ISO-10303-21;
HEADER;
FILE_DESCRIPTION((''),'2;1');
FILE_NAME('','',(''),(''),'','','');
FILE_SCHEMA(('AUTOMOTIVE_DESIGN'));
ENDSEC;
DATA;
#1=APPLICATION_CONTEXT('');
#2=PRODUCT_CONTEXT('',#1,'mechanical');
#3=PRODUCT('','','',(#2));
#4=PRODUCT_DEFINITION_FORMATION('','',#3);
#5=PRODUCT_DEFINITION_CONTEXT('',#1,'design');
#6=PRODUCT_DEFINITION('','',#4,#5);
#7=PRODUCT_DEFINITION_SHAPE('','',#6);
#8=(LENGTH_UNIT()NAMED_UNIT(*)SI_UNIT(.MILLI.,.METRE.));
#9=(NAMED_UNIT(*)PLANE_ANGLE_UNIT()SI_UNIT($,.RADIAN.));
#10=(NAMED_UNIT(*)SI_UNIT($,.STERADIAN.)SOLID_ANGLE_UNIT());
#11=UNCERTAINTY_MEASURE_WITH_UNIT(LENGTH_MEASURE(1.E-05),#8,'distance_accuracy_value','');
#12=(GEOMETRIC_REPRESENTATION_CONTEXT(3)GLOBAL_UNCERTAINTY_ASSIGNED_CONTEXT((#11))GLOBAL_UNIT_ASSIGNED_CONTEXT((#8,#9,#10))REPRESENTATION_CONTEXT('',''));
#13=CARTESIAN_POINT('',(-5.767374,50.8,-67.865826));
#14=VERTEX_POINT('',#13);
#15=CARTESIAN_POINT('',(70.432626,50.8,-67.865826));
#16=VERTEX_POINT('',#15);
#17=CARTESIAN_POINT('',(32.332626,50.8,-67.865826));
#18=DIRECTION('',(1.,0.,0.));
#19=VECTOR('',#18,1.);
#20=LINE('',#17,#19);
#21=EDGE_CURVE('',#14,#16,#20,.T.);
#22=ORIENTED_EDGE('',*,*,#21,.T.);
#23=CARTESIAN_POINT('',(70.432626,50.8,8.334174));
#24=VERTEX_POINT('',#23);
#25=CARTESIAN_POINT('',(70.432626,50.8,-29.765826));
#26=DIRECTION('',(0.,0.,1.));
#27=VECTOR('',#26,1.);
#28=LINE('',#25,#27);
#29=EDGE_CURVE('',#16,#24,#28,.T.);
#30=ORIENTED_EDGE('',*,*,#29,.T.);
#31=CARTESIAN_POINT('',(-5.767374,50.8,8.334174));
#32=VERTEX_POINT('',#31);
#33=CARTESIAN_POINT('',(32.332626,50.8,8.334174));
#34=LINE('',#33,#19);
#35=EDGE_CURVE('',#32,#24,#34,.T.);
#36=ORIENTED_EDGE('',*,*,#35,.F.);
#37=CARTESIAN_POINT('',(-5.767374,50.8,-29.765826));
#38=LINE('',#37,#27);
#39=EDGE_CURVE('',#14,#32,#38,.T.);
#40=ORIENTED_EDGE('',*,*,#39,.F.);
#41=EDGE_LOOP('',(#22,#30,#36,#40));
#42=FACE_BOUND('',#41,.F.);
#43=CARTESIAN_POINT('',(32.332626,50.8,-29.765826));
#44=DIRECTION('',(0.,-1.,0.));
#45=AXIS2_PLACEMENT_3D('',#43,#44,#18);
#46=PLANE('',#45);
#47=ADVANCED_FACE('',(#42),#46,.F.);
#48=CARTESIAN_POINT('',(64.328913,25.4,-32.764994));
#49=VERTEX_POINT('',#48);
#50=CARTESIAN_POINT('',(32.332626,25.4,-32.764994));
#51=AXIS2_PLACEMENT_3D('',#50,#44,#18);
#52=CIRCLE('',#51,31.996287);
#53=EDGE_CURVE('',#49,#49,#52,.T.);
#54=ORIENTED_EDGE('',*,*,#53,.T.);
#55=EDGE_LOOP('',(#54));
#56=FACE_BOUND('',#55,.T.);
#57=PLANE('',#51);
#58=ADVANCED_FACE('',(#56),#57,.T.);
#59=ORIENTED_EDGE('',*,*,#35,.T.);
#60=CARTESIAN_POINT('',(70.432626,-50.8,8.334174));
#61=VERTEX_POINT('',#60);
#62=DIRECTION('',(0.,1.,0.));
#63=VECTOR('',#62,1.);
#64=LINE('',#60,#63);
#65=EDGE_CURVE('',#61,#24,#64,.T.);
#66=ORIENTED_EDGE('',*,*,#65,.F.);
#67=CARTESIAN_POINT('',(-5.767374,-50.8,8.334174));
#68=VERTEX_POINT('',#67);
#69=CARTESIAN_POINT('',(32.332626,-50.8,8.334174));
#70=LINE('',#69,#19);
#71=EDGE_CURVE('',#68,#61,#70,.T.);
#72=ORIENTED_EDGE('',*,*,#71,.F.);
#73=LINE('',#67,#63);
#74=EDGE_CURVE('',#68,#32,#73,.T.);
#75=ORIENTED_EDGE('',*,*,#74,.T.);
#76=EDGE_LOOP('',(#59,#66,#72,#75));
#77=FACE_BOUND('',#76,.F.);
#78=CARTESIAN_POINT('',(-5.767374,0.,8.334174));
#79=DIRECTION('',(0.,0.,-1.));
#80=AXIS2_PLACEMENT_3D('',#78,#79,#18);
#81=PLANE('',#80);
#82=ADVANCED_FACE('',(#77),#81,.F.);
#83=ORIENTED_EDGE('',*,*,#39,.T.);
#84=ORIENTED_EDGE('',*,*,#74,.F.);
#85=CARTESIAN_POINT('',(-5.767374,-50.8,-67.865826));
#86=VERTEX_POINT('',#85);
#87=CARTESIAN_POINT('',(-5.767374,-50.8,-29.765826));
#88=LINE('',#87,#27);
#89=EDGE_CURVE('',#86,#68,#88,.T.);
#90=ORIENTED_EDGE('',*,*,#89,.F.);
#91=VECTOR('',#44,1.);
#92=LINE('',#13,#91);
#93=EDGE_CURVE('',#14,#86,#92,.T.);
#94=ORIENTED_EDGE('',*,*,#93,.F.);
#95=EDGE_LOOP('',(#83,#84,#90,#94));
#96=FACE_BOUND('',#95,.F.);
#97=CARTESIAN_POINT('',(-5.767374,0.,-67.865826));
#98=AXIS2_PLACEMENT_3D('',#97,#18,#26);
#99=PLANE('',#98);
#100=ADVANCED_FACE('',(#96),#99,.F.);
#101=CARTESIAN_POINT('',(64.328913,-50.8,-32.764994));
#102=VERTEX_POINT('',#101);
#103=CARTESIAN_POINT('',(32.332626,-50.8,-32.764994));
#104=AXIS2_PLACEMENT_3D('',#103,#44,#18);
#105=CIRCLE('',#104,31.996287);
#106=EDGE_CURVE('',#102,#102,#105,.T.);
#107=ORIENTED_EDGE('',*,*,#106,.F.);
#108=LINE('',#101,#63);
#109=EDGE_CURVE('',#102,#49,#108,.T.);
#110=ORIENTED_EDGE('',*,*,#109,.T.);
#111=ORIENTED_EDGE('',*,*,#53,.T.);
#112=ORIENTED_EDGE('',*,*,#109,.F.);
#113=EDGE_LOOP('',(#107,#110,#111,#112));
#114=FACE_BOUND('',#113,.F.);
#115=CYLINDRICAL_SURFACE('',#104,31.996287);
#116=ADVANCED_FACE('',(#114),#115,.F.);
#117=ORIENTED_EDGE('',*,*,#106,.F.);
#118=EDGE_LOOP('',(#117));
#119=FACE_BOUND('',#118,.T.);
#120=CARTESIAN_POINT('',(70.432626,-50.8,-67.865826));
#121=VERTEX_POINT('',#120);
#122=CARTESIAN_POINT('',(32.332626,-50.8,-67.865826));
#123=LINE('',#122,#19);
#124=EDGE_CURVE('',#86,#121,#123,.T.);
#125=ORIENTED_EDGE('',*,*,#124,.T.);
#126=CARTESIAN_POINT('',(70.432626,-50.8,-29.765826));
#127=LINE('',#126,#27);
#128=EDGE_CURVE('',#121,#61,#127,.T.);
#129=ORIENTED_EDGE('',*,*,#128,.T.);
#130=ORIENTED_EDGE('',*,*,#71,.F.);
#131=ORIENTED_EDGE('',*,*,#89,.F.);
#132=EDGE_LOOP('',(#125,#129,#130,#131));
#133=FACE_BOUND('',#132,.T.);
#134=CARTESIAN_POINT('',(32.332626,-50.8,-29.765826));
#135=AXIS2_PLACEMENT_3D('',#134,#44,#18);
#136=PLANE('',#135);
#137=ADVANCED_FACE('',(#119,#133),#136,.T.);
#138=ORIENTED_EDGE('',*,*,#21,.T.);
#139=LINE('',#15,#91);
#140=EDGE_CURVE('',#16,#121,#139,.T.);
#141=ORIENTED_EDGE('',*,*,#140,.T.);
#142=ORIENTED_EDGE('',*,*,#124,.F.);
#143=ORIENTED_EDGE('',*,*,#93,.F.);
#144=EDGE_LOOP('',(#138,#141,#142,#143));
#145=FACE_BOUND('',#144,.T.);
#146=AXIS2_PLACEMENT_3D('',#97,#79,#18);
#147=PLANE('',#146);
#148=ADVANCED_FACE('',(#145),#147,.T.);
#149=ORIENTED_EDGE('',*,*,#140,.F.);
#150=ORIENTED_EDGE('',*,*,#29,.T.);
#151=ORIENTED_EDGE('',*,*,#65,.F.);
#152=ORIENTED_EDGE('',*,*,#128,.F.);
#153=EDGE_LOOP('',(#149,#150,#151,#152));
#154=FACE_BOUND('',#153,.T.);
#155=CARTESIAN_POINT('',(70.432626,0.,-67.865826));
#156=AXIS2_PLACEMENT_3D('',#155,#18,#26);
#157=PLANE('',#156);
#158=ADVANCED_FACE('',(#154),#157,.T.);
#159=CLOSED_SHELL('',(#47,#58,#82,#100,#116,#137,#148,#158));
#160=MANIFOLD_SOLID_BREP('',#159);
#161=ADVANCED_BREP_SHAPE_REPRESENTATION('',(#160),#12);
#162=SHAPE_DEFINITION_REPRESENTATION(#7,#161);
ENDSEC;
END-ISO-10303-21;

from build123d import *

# Parameters (mm, degrees)
F0_W     = 76.2
F0_H     = 76.2
F1_DEPTH = 50.8
F2_R     = 31.996287
F3_DEPTH = 76.2


with BuildPart() as f1:
    # F0 (on Front) → F1 (new body, symmetric)
    with BuildSketch(Plane.XZ):
        with Locations((32.332626, -29.765826)):
            Rectangle(F0_W, F0_H)
    extrude(amount=F1_DEPTH, both=True)

    # F2 (on face) → F3 (cut)
    with BuildSketch(Plane.XZ.offset(50.8)):
        with Locations((32.332626, -32.764994)):
            Circle(F2_R)
    extrude(amount=-F3_DEPTH, mode=Mode.SUBTRACT)


solid = f1.part
